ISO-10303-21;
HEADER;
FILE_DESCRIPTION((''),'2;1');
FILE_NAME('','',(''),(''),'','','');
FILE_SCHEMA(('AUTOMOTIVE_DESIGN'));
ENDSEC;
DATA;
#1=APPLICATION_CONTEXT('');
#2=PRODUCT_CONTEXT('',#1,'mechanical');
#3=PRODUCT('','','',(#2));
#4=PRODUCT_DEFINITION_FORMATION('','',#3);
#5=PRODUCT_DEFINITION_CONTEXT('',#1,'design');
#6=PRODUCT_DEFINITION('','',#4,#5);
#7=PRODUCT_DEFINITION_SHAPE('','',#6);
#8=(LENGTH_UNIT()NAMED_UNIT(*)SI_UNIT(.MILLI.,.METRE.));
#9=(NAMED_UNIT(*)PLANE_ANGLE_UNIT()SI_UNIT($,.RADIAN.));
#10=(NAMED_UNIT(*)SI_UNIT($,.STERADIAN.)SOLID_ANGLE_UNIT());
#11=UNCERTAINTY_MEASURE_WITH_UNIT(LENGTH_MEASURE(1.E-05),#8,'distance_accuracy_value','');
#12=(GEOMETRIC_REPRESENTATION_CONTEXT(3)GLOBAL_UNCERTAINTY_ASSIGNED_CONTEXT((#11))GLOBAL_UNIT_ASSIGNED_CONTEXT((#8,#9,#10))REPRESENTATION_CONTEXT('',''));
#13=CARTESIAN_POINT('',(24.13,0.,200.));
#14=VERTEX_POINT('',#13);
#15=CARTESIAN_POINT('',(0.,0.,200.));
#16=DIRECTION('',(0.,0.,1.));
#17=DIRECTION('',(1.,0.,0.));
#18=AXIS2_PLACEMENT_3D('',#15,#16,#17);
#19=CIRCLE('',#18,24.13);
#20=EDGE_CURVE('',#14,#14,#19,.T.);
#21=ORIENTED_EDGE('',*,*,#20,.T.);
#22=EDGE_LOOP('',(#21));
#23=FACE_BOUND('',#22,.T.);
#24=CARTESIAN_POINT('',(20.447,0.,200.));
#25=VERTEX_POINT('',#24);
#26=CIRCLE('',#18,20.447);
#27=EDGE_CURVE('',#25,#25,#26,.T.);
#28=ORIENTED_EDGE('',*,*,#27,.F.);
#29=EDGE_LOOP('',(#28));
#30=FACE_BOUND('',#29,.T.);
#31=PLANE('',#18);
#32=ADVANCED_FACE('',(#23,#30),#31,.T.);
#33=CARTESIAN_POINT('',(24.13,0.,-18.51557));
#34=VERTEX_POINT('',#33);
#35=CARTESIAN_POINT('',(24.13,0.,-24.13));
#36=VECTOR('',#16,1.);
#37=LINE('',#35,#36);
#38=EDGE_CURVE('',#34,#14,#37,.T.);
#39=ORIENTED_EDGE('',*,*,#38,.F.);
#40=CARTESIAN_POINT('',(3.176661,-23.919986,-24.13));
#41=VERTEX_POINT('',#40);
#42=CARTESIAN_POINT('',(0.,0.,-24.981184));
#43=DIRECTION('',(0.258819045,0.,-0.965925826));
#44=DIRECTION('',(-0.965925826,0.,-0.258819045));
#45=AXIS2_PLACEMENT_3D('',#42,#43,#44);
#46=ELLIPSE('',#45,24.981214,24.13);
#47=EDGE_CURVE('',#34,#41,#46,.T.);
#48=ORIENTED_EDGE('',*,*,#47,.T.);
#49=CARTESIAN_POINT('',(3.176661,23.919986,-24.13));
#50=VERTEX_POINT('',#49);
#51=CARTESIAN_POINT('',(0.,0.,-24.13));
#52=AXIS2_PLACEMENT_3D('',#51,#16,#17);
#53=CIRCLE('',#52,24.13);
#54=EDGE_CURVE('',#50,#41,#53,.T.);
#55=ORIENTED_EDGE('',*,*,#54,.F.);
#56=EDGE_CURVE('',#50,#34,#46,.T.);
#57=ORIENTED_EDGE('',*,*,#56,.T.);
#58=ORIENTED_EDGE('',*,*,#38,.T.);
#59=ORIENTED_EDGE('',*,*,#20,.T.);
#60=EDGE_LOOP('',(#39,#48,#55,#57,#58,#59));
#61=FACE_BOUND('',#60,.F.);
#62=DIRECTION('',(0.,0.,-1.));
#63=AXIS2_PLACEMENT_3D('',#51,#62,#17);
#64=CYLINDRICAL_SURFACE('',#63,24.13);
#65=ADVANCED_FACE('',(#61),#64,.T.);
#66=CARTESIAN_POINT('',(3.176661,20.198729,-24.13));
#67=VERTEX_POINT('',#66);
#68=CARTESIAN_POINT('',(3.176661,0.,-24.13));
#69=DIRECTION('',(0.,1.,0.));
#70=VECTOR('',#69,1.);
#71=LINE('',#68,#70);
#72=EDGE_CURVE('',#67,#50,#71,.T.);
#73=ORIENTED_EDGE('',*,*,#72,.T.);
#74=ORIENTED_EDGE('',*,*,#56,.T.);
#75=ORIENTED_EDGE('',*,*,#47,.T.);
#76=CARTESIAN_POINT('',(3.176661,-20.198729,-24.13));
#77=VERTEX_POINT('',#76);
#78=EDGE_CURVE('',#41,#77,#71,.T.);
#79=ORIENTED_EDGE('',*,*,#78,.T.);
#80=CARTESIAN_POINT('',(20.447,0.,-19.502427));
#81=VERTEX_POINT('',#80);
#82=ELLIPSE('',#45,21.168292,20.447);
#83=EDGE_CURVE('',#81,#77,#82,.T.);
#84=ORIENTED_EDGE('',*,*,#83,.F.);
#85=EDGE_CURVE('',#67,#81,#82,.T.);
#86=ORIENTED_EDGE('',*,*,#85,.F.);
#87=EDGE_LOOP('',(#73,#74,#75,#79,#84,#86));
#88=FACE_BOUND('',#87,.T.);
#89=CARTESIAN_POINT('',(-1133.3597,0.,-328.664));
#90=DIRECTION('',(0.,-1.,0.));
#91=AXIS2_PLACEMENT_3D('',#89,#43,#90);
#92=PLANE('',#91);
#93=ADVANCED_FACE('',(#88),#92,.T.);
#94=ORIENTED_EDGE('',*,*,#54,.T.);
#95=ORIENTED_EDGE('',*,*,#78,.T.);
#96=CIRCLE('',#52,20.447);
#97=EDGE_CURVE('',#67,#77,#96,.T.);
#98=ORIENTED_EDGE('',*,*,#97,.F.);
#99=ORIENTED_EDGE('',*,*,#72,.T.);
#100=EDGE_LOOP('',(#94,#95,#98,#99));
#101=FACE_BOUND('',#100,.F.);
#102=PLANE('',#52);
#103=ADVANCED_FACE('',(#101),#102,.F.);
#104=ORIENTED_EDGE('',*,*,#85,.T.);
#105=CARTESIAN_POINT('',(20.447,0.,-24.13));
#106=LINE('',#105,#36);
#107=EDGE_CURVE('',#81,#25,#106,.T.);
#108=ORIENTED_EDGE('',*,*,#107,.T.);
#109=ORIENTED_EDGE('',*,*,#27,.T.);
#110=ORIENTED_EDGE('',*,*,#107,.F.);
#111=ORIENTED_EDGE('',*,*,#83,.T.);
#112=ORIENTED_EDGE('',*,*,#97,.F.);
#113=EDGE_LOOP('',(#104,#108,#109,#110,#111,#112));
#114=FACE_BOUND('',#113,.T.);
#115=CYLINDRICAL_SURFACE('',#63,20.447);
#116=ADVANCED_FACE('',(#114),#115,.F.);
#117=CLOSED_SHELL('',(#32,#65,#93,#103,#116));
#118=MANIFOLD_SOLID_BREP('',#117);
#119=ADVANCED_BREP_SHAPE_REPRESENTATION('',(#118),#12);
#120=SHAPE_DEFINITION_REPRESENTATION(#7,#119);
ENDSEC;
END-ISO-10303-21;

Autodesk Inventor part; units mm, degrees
ref_plane "Start Plane" through (0, 0, -24.13) normal (0, 0, 1) x (1, 0, 0)
ref_plane "End Plane" through (0, 0, 200) normal (0, 0, 1) x (1, 0, 0)
sketch "Sketch" plane through (0, 0, 0) normal (0, 0, 1) x (1, 0, 0)
  circle A0 centre (0, 0) radius 20.447
  circle A1 centre (0, 0) radius 24.13
  dimension "d0" = 48.26
  dimension "d1" = 3.683
extrude "Body" add sketch "Sketch" along normal up to surface (224.13 mm away) from surface at -24.13
sketch "Sketch3" plane through (0, 0, 0) normal (0, 0, 1) x (1, 0, 0)
  line L0 (0, 0) -> (10, 0)
ref_plane "Work Plane3" through (0, 0, 0) normal (0, -1, 0) x (1, 0, 0)
ref_plane "Work Plane4" through (-1133.3597, 0, -328.664) normal (0.2588, 0, -0.9659) x (-0.9659, 0, -0.2588)
split "Split1" plane through (-1133.3597, 0, -328.664) removes the side toward (0.2588, 0, -0.9659)
ref_plane "Work Plane5" through (0, 2000, -24.13) normal (0, 0, -1) x (-1, 0, 0)
split "Split2" plane through (0, 2000, -24.13) removes the side toward (0, 0, -1)
sketch "Sketch4" plane through (0, 0, 0) normal (0, -1, 0) x (1, 0, 0)
  line L0 (-2, -24.13) -> (12, -24.13) projected
  line L1 (-2, 200) -> (12, 200) projected
  dimension "d7" = 224.13
equation "\"d0\" = G_H"
equation "\"d1\" = G_T"
equation "\"d2\" = G_L"
equation "\"G_H\" = 48.26"
equation "\"G_T\" = 3.683"
equation "\"G_L\" = d7"
equation "\"G_OFFSET_START\" = 24.13"
equation "\"G_OFFSET_END\" = 0"
equation "\"d4\" = -G_OFFSET_START"
equation "\"d5\" = G_OFFSET_END + B_L"
equation "\"B_L\" = 200"
properties part number "ANSI - 1 1/2 x 0.145 - 8.824" material "Steel, Mild"
